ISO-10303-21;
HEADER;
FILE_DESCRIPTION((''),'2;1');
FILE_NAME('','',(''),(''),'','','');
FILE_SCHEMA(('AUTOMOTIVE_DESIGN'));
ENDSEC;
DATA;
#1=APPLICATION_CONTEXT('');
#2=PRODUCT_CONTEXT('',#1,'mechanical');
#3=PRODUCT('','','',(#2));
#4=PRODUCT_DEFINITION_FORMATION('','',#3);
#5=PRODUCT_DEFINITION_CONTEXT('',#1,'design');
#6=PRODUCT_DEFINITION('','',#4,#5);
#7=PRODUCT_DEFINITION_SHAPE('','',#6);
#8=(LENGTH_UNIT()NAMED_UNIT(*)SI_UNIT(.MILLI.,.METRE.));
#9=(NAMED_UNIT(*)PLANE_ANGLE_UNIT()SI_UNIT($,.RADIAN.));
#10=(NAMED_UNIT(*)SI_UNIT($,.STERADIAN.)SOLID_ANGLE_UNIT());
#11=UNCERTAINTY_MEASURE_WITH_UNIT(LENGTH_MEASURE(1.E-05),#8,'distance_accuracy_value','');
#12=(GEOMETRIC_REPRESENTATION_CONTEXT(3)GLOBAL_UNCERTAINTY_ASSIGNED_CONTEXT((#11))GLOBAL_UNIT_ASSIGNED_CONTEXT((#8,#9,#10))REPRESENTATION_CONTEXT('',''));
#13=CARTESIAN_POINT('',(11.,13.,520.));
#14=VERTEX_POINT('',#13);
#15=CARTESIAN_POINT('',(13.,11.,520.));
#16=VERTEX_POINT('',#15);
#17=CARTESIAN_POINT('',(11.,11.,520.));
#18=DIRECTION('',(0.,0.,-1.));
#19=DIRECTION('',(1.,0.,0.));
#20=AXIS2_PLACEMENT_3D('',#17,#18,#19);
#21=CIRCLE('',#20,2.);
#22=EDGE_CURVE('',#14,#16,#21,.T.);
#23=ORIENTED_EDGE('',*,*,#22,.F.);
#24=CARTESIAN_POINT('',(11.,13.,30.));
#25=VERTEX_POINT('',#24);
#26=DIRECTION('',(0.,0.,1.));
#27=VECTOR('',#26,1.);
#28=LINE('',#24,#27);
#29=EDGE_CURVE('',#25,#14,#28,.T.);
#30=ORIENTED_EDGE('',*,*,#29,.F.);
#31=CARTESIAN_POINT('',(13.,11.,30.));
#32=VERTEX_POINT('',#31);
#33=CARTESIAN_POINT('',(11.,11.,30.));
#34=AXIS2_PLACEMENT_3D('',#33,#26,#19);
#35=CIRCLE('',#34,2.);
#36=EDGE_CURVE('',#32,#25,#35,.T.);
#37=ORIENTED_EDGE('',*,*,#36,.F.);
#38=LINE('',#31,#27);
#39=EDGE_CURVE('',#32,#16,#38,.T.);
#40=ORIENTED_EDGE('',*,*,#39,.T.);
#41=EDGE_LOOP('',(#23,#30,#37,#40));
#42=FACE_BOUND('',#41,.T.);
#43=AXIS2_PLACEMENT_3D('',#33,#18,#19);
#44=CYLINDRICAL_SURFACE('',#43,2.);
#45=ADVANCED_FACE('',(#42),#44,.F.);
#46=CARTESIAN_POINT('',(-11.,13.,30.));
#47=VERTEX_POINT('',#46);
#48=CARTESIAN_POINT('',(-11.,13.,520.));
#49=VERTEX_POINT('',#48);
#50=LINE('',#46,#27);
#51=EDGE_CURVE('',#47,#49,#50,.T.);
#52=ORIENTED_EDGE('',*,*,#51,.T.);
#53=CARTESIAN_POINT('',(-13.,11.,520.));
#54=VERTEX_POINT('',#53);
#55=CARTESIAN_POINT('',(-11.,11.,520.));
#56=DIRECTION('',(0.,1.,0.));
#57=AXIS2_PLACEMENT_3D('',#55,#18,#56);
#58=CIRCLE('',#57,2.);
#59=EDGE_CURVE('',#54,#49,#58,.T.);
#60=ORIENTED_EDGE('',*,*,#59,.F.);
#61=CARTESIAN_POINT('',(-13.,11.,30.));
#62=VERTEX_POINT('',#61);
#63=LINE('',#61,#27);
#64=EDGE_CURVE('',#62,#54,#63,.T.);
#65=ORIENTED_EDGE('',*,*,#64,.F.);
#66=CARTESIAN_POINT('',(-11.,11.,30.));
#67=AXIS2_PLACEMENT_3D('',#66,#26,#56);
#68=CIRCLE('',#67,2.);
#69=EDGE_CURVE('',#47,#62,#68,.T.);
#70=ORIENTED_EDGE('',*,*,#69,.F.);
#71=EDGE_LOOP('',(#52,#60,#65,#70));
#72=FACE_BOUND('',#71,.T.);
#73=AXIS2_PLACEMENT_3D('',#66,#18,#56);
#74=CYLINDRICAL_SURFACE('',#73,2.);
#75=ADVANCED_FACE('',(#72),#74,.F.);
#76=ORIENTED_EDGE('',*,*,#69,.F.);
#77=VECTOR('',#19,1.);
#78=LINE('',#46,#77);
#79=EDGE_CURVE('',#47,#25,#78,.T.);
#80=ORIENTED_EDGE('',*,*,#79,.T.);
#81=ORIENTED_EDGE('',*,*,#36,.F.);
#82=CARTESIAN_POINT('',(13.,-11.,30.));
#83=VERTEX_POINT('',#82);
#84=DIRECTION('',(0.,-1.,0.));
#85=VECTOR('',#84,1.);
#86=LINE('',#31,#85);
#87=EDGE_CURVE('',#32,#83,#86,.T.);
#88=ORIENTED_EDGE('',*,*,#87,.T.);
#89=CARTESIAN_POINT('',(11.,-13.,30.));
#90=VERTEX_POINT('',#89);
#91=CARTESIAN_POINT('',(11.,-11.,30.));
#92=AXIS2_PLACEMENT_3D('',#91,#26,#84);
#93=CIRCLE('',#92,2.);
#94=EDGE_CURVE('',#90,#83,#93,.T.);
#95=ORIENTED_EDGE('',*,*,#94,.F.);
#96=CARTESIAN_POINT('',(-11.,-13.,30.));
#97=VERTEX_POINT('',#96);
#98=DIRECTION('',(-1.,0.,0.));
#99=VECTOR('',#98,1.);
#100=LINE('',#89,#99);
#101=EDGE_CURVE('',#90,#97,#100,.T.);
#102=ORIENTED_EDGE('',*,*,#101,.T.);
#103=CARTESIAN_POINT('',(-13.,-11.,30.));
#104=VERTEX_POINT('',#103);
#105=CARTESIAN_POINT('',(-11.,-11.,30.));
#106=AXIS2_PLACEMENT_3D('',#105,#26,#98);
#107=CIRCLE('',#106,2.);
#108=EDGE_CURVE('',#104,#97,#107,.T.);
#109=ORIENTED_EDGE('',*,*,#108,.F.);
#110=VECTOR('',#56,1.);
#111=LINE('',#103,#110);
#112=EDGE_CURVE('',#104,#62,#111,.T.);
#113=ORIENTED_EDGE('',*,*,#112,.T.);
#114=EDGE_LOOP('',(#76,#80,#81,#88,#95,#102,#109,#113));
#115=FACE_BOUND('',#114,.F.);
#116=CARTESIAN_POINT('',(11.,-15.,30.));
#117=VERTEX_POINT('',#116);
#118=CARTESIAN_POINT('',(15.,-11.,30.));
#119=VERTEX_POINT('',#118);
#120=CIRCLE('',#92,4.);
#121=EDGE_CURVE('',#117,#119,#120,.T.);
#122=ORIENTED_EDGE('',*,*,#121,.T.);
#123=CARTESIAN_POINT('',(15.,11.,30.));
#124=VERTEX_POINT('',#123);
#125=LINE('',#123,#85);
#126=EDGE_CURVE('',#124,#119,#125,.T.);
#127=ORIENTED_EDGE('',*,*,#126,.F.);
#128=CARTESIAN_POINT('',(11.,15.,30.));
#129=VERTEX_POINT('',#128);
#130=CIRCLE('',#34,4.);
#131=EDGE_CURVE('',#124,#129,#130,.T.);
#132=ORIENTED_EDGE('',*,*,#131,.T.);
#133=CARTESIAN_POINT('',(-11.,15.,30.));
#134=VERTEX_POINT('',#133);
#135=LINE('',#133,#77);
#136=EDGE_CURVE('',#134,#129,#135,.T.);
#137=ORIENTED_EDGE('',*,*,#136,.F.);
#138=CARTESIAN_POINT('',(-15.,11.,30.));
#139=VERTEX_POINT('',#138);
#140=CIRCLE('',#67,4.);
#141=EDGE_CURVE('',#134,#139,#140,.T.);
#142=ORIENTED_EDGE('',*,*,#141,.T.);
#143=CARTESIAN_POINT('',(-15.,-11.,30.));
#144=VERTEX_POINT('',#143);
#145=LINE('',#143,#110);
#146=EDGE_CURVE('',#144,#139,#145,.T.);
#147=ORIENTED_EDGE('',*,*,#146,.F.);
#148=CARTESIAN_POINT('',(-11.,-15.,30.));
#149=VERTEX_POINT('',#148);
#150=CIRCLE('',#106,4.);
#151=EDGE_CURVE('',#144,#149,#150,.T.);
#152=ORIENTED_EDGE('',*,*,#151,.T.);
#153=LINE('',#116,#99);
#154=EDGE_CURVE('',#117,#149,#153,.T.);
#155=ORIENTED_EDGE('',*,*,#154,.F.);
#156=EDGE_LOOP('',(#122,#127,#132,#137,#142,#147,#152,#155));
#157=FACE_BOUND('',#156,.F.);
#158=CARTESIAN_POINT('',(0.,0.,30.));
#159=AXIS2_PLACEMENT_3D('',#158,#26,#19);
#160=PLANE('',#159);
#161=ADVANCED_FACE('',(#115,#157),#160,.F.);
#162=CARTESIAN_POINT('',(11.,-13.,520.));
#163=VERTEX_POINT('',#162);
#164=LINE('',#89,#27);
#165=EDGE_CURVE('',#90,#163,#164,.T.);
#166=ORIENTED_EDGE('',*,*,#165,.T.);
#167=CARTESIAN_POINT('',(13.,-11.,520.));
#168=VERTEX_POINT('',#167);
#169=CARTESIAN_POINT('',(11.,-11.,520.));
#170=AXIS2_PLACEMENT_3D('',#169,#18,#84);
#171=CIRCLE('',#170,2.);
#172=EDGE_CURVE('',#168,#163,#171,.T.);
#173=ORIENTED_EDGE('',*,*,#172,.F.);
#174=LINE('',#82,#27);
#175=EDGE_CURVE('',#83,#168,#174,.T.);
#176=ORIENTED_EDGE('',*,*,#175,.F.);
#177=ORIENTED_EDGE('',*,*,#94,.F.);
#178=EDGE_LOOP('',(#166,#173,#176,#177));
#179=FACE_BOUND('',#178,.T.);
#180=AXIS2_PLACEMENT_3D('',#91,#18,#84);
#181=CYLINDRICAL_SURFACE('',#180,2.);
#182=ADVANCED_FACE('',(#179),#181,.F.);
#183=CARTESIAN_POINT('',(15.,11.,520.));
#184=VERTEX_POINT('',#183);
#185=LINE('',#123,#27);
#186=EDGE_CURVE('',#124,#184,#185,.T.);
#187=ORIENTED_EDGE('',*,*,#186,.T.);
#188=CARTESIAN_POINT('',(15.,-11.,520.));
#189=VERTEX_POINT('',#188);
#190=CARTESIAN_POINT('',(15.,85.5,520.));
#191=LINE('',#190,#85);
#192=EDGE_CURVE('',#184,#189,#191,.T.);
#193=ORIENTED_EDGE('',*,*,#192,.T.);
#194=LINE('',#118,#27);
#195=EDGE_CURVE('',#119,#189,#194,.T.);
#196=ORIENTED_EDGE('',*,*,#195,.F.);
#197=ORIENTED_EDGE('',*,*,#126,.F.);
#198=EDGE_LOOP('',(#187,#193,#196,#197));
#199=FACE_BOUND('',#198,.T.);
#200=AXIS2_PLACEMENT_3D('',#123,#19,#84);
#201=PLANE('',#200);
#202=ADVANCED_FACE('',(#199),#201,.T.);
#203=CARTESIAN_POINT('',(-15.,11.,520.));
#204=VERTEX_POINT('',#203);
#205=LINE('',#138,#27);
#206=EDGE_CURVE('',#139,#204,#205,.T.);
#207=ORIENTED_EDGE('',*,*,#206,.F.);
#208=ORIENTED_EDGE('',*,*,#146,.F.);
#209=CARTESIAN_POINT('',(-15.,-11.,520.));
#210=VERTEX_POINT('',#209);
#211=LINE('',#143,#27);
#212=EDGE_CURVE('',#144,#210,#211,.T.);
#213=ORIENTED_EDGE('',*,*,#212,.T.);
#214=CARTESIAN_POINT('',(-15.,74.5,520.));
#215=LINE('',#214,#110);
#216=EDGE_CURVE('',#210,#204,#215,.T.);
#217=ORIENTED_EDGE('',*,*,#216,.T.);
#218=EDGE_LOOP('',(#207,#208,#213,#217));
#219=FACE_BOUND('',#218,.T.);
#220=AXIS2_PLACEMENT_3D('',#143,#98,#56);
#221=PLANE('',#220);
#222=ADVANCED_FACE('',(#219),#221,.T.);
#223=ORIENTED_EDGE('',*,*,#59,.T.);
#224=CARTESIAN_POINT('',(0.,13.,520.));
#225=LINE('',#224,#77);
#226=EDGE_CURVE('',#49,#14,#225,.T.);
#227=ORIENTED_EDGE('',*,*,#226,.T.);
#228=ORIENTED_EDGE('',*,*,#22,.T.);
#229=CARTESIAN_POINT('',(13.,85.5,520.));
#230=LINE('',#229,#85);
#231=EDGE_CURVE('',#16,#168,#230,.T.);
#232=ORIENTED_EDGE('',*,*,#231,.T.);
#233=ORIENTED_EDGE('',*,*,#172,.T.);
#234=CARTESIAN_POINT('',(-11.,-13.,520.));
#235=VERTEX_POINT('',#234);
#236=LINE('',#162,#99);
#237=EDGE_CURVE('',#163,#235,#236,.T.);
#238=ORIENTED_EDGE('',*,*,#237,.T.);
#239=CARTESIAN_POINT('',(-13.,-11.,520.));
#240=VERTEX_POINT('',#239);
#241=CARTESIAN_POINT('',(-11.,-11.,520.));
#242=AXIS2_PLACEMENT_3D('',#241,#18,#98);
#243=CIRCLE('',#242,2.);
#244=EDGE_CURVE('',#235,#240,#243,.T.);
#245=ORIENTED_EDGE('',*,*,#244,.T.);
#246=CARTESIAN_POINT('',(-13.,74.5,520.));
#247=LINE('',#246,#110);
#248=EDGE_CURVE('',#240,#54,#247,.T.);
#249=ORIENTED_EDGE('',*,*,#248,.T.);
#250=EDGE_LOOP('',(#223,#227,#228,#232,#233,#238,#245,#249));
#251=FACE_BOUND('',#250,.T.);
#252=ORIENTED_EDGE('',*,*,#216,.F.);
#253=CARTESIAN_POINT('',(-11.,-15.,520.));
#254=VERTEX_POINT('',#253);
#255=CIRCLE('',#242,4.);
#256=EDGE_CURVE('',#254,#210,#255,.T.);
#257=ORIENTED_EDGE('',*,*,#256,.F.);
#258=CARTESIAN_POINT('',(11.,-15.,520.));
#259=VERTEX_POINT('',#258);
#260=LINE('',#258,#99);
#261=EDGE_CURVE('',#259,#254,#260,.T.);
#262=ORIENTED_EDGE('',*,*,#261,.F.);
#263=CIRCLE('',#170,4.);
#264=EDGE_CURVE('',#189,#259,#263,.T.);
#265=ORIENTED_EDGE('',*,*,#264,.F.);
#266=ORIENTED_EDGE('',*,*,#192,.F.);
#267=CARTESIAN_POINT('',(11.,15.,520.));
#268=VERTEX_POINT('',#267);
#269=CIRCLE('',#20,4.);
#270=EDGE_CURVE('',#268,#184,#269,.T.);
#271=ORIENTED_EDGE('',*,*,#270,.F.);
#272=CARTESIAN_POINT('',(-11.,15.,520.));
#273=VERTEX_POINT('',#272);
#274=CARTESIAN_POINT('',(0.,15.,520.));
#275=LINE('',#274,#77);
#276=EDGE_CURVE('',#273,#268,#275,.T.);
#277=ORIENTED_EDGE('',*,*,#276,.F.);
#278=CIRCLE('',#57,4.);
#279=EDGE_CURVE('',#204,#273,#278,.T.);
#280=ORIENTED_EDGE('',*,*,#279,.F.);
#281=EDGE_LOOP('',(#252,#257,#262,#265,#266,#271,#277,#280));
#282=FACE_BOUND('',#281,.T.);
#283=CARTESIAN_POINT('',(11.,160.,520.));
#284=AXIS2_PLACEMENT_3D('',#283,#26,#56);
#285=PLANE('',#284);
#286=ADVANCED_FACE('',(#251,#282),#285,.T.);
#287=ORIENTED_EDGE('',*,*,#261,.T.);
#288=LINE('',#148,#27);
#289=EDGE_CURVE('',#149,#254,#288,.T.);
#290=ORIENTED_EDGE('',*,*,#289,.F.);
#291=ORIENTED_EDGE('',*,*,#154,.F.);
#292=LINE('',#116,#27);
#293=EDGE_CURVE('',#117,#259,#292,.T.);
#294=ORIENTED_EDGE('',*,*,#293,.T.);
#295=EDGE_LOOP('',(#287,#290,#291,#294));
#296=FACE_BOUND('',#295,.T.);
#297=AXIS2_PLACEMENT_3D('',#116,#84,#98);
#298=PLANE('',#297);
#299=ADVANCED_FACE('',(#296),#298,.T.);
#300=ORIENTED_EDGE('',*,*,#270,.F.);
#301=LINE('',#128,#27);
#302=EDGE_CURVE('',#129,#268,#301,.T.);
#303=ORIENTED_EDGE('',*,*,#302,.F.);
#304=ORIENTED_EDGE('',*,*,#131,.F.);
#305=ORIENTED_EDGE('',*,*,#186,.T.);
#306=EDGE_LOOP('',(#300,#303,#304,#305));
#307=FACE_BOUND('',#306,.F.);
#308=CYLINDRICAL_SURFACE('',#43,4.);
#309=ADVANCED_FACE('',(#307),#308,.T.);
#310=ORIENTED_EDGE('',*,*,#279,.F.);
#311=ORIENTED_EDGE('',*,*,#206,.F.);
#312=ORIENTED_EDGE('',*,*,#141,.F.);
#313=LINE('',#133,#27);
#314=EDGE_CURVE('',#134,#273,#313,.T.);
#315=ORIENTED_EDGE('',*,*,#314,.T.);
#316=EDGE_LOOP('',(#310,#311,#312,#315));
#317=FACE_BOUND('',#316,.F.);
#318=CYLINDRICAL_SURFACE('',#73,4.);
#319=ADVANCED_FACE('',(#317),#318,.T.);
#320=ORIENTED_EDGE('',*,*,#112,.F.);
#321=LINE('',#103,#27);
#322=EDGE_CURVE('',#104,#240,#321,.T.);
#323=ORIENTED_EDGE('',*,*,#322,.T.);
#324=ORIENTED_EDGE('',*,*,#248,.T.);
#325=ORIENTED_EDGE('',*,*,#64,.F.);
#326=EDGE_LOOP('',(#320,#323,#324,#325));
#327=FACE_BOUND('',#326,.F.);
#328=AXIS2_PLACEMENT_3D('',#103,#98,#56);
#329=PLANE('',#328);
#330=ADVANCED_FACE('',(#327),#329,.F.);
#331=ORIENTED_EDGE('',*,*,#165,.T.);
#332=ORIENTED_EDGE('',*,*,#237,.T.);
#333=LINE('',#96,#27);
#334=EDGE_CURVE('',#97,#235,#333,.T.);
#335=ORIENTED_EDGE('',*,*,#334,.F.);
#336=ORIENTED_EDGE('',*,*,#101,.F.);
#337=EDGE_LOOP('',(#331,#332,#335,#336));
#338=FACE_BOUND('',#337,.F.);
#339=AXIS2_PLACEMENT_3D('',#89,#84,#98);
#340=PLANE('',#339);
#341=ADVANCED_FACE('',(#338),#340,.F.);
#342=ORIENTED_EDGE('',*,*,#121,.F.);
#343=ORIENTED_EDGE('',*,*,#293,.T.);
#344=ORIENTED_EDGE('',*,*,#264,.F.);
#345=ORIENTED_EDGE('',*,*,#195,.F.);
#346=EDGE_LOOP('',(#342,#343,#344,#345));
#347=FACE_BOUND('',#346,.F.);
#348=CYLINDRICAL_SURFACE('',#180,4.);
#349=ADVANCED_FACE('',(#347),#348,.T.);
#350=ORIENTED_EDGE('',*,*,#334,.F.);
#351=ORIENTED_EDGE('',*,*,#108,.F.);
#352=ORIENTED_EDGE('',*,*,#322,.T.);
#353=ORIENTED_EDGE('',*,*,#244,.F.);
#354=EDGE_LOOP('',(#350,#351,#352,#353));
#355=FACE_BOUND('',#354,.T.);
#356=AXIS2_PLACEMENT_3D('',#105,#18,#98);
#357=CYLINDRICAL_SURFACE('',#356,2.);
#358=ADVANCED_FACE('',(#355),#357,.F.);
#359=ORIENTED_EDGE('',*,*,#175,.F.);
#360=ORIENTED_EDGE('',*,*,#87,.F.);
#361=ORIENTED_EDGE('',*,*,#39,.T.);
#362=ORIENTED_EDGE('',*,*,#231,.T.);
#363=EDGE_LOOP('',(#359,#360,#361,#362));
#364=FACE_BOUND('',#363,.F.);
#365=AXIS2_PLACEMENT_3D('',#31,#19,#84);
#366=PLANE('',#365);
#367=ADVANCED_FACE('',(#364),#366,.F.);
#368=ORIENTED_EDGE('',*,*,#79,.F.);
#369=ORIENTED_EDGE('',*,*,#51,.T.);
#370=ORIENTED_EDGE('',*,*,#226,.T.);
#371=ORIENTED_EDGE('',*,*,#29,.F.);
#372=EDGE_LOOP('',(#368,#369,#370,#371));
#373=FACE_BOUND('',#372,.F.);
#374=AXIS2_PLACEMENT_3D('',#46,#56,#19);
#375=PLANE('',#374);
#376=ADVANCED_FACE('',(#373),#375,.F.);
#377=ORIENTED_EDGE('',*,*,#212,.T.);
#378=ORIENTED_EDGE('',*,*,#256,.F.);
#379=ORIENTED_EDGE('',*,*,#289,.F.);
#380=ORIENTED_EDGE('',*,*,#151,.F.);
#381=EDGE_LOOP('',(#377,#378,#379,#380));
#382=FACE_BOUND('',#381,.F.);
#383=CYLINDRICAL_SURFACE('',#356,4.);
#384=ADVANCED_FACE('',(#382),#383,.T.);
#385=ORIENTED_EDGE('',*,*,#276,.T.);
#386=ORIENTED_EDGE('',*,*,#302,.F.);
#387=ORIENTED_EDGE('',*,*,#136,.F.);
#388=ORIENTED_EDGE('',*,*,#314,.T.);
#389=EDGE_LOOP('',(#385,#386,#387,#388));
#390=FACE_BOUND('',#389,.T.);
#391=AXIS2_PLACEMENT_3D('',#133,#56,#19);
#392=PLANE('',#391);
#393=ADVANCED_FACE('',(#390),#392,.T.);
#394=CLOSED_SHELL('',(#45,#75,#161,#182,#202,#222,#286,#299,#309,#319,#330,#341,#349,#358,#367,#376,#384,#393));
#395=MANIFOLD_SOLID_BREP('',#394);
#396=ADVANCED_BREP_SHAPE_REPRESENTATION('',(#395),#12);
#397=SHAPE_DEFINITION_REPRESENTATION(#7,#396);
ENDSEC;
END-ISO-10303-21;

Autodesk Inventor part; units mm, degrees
ref_plane "Plano inicial" through (0, 0, 30) normal (0, 0, 1) x (1, 0, 0)
ref_plane "Plano final" through (0, 0, 520.0001) normal (0, 0, 1) x (1, 0, 0)
sketch "Esboço" plane through (0, 0, 0) normal (0, 0, 1) x (1, 0, 0)
  line L0 (-15, -11) -> (-15, 11)
  line L1 (-11, 15) -> (11, 15)
  line L2 (15, 11) -> (15, -11)
  line L3 (11, -15) -> (-11, -15)
  arc A0 (-15, -11) -> (-11, -15) centre (-11, -11) ccw
  arc A1 (15, 11) -> (11, 15) centre (11, 11) ccw
  arc A2 (-11, 15) -> (-15, 11) centre (-11, 11) ccw
  arc A3 (11, -15) -> (15, -11) centre (11, -11) ccw
  arc A4 (-11, 13) -> (-13, 11) centre (-11, 11) ccw
  line L4 (-11, 13) -> (11, 13)
  arc A5 (13, 11) -> (11, 13) centre (11, 11) ccw
  line L5 (13, 11) -> (13, -11)
  arc A6 (11, -13) -> (13, -11) centre (11, -11) ccw
  line L6 (11, -13) -> (-11, -13)
  arc A7 (-13, -11) -> (-11, -13) centre (-11, -11) ccw
  line L7 (-13, -11) -> (-13, 11)
  line L8 (0, 22.1598) -> (0, -22.1598) construction
  line L9 (-22.1598, 0) -> (22.1598, 0) construction
  dimension "d7" = 4
  dimension "d9" = 30
  dimension "d11" = 30
  dimension "d12" = 2
  dimension "d15" = 15
  dimension "d16" = 15
extrude "Corpo" add sketch "Esboço" along normal up to surface (490.0001 mm away) from surface at 30
sketch "Sketch3" plane through (0, 0, 0) normal (0, 0, 1) x (1, 0, 0)
  line L0 (0, 0) -> (10, 0)
ref_plane "Work Plane3" through (0, 0, 0) normal (0, -1, 0) x (1, 0, 0)
sketch "Sketch4" plane through (0, 0, 0) normal (0, -1, 0) x (1, 0, 0)
  line L0 (-2, 30) -> (12, 30)
  line L1 (-2, 520.0001) -> (12, 520.0001)
  dimension "d18" = 490.0001
ref_plane "Plano de trabalho4" through (11, 160, 520) normal (0, 0, 1) x (1, 0, 0)
split "Dividir1" plane through (11, 160, 520) removes the side toward (0, 0, 1)
ref_plane "Plano de trabalho5" through (11, -290, 30) normal (0, 0, -1) x (-1, 0, 0)
split "Dividir2" plane through (11, -290, 30) removes the side toward (0, 0, -1)
equation "\"d7\" = G_IR"
equation "\"d9\" = G_W"
equation "\"d11\" = G_H"
equation "\"d12\" = G_T"
equation "\"d15\" = 0.5 * d9"
equation "\"d16\" = 0.5 * d11"
equation "\"d3\" = G_L"
equation "\"G_W\" = 30"
equation "\"G_H\" = 30"
equation "\"G_T\" = 2"
equation "\"G_IR\" = 4"
equation "\"G_L\" = d18"
equation "\"G_OFFSET_END\" = -29.99991"
equation "\"d14\" = G_OFFSET_END + B_L"
equation "\"B_L\" = 550"
properties part number "ISO 10799-2 - 30x30x2 - 490" material "Aço, suave"
